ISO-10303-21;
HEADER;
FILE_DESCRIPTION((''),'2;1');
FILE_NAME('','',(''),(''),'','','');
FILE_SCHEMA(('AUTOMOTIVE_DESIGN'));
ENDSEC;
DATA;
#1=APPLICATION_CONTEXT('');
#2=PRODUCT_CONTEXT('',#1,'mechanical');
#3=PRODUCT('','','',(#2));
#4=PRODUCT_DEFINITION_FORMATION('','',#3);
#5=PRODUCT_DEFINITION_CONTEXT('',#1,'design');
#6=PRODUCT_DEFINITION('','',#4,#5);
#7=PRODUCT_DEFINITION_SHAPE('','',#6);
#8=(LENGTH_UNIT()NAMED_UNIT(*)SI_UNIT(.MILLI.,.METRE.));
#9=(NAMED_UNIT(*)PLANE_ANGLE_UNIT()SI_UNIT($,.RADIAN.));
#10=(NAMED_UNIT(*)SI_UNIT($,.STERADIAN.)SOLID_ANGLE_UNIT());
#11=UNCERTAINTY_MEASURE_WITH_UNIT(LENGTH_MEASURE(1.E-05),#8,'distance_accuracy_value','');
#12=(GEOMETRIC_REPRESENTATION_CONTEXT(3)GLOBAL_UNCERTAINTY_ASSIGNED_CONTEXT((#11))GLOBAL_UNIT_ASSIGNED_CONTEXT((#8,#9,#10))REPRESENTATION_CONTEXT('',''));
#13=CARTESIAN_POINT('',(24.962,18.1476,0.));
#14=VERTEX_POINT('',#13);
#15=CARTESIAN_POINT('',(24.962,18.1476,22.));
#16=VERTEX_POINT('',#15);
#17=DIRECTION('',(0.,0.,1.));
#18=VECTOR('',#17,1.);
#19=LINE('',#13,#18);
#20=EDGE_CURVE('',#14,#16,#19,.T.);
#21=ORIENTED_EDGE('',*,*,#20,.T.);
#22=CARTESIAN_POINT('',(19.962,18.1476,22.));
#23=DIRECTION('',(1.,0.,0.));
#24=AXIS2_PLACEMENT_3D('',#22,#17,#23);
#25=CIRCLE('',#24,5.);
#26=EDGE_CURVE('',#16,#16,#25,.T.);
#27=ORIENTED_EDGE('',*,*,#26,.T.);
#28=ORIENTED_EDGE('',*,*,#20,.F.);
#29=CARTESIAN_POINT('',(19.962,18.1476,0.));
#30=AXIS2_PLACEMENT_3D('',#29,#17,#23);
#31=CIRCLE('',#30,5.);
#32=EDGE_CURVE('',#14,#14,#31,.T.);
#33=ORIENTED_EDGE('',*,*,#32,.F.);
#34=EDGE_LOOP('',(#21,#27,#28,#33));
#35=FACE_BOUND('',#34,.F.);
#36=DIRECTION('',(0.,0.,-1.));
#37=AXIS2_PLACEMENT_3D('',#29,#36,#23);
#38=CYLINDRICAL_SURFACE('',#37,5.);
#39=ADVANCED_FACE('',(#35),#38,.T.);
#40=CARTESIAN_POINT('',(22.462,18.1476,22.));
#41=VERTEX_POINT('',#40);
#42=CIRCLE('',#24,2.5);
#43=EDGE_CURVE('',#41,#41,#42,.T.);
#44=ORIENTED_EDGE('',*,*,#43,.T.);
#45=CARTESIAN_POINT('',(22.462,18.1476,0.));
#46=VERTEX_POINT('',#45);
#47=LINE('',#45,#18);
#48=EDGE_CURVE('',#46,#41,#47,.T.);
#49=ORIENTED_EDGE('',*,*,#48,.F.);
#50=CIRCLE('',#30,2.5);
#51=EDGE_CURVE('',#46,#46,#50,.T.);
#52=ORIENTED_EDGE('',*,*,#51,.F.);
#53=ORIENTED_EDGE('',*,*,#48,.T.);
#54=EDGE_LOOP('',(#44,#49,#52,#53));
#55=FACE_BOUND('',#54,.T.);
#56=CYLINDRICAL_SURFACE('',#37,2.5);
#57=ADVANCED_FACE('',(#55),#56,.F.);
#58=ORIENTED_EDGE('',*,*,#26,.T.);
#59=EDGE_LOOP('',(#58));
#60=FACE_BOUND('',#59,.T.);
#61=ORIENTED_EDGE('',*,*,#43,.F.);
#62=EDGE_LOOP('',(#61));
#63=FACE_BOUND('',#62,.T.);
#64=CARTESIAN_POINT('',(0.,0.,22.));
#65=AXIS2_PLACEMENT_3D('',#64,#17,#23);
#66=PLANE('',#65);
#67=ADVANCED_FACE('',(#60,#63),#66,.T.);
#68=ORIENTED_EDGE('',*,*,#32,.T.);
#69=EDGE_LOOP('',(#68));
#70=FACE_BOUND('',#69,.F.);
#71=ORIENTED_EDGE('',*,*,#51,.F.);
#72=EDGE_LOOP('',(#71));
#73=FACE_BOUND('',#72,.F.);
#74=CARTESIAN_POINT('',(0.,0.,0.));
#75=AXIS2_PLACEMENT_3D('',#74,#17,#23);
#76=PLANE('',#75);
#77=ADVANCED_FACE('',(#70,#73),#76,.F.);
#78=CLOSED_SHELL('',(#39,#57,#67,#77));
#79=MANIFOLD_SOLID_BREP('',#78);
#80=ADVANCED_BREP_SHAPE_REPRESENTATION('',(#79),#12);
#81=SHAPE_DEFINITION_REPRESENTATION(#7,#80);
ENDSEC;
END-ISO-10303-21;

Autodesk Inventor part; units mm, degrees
ref_plane "YZ Plane" through (0, 0, 0) normal (1, 0, 0) x (0, 1, 0)
ref_plane "XZ Plane" through (0, 0, 0) normal (0, 1, 0) x (-1, 0, 0)
ref_plane "Work Plane1" through (0, 0, 0) normal (0, 0, 1) x (1, 0, 0)
sketch "Sketch1" plane through (0, 0, 0) normal (0, 0, 1) x (1, 0, 0)
  circle A0 centre (19.962, 18.1476) radius 2.5
  circle A1 centre (19.962, 18.1476) radius 5
  point P0 (0, 0)
  dimension "d0" = 10
  dimension "d3" = 5
ref_plane "Work Plane2" through (-41.538, 5.1476, 22) normal (0, 0, -1) x (0, 1, 0)
extrude "Extrusion1" add sketch "Sketch1" along normal up to surface (22 mm away)
